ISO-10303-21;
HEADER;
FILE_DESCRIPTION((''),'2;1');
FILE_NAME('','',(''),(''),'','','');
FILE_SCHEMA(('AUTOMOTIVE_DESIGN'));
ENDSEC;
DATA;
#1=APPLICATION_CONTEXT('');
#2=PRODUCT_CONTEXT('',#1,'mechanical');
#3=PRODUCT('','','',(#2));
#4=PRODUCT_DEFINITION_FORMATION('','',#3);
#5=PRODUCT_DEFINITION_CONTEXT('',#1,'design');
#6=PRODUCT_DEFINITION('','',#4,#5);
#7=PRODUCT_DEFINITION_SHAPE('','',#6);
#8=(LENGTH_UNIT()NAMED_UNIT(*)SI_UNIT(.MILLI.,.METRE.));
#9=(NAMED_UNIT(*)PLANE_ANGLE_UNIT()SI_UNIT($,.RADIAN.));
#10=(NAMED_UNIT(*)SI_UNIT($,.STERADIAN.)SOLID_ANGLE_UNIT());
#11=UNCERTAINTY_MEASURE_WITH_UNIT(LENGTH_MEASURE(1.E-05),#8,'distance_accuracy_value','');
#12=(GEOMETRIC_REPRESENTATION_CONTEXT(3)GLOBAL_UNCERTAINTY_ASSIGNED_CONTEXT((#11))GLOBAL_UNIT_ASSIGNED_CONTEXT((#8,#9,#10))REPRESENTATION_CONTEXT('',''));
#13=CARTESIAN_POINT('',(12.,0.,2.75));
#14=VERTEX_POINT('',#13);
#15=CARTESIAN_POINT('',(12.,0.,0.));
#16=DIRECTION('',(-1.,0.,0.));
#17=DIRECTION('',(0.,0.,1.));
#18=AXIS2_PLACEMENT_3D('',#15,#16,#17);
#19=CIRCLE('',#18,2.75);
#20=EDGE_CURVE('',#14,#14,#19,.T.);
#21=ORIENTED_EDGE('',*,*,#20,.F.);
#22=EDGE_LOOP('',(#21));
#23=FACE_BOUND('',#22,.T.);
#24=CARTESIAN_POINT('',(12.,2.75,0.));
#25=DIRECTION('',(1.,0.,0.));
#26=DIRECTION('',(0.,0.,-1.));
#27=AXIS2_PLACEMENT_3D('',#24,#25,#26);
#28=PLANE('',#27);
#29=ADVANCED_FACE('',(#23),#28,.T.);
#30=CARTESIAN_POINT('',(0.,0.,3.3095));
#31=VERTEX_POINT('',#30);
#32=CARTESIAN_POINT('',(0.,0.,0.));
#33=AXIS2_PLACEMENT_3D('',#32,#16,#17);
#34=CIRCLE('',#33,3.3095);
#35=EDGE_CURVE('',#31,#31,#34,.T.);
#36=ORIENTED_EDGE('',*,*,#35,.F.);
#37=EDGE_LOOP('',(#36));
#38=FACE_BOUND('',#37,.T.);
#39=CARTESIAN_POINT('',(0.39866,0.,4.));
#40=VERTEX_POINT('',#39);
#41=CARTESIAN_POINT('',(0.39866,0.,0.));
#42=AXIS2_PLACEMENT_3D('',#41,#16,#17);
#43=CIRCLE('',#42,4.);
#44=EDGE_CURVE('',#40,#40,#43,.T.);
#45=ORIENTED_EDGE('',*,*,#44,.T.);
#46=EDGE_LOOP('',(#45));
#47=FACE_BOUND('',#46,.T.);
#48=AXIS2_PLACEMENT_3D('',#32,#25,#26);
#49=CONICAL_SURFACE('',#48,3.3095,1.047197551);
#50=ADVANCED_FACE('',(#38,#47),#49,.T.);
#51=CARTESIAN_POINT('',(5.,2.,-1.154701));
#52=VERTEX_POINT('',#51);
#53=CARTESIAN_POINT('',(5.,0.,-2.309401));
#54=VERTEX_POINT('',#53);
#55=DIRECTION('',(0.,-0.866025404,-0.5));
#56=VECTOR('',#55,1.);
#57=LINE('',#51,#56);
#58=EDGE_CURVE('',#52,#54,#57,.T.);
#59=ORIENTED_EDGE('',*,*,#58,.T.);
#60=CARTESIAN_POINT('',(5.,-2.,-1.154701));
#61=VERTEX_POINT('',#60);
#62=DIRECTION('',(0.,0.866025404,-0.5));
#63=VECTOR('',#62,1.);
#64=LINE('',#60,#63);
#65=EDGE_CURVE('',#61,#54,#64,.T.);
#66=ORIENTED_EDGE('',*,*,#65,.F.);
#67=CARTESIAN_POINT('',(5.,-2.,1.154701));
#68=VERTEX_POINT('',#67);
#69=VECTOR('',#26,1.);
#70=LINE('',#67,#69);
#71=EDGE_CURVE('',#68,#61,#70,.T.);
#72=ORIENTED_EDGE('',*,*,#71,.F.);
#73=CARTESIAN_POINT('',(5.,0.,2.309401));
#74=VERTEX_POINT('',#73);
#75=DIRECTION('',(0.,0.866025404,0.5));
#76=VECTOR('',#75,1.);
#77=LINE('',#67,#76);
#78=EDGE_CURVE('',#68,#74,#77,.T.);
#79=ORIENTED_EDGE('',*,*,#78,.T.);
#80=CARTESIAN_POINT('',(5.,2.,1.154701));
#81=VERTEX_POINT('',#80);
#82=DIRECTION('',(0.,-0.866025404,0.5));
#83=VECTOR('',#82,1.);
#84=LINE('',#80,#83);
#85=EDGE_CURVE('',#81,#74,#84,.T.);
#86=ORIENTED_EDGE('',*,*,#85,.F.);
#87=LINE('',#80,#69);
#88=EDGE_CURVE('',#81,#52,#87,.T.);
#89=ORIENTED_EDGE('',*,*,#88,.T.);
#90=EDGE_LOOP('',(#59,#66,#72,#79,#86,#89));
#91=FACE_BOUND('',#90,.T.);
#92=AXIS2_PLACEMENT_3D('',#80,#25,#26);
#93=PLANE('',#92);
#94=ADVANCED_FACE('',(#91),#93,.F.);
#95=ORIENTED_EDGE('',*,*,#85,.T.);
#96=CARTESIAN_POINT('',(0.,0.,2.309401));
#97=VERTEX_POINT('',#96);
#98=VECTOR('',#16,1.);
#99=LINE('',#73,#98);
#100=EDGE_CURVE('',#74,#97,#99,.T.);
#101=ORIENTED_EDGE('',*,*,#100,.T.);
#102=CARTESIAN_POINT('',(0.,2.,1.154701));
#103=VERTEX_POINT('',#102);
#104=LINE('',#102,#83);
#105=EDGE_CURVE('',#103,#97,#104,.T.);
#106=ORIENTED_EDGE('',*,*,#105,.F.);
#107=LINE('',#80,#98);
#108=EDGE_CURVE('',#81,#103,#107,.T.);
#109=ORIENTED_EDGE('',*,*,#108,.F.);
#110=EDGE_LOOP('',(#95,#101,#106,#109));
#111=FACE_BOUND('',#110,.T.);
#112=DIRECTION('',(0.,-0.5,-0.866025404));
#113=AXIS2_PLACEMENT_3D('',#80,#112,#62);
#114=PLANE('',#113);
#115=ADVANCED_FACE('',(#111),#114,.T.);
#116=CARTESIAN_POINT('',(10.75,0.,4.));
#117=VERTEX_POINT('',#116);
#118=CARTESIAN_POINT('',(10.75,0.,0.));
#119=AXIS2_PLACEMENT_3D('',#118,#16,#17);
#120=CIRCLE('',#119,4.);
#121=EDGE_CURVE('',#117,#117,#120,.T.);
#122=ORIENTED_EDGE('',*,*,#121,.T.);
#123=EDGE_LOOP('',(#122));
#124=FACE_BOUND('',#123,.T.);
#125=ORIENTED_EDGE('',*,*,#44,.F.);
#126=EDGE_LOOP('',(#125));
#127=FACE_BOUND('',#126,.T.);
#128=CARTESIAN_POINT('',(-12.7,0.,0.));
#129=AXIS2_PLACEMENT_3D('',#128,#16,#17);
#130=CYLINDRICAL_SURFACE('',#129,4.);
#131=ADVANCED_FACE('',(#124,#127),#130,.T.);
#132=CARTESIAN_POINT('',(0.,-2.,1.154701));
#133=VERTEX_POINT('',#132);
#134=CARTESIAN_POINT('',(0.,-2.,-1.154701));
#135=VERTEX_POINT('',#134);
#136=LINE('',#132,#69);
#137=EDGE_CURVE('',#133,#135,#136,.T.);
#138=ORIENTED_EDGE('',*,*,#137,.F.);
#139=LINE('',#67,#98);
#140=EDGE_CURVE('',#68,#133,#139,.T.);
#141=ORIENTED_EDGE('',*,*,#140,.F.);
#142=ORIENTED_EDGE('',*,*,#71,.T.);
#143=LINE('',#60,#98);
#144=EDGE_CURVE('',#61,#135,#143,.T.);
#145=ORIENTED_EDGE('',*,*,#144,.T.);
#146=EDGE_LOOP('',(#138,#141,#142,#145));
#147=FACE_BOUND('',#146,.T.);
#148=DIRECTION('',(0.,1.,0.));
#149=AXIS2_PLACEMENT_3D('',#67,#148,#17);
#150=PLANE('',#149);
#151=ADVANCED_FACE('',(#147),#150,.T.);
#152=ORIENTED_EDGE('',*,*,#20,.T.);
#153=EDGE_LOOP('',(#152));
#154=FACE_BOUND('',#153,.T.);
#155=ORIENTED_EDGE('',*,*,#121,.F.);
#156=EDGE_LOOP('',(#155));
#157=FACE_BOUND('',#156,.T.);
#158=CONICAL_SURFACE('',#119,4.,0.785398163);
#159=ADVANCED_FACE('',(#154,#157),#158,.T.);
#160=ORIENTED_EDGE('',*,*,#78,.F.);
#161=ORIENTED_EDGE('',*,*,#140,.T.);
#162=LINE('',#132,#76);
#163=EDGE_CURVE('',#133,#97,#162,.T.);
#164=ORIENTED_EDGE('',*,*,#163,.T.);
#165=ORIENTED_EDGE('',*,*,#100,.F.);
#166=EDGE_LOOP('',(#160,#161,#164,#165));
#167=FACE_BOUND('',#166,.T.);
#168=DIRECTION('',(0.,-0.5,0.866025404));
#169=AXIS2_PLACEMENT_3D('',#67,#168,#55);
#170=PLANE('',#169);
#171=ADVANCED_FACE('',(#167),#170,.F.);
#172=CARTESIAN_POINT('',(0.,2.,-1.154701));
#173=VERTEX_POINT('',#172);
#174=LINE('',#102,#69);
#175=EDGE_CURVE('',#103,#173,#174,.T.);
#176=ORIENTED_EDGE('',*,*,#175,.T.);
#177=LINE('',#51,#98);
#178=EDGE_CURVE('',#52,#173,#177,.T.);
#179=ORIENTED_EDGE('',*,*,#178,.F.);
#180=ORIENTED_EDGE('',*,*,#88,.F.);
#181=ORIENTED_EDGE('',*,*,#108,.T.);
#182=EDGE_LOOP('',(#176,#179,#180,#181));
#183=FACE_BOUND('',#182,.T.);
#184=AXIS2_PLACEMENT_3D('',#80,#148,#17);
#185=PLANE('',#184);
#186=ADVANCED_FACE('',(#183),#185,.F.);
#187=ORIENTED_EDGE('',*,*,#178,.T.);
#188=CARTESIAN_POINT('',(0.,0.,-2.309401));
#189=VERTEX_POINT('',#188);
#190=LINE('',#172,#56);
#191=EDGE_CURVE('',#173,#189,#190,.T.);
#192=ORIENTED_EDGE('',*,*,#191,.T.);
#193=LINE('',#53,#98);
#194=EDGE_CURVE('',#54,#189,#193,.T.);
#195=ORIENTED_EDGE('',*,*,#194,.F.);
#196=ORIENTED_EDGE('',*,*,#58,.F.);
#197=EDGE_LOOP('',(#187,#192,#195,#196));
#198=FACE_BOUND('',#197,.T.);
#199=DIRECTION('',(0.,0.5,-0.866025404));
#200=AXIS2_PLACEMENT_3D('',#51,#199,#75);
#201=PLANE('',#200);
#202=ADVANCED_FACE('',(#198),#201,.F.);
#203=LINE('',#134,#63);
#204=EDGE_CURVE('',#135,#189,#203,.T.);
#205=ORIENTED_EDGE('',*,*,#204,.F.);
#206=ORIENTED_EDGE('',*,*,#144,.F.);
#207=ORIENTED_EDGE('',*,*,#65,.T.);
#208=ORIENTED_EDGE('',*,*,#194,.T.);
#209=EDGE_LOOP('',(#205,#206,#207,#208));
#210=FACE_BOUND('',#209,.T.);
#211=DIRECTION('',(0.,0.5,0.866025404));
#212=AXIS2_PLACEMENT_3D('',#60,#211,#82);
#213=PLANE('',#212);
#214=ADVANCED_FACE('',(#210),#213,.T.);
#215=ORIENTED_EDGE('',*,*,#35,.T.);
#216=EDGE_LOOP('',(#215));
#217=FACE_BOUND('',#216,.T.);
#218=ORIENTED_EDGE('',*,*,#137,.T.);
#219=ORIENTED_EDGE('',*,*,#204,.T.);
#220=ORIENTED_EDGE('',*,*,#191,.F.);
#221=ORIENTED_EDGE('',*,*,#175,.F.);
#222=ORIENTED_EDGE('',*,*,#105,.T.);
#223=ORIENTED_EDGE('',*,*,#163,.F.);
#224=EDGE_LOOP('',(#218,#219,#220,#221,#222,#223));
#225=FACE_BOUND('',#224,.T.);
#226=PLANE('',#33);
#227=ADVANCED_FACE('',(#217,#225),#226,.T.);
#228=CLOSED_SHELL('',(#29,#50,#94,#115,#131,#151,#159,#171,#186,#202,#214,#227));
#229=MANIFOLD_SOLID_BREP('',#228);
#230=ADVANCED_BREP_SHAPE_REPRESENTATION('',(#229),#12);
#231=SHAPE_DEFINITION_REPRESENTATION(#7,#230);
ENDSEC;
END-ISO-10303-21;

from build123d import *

# Parameters (mm, degrees)
HEX_2_DEPTH = 5


with BuildPart() as part:
    # BodySke → BaseBody (revolve)
    with BuildSketch(Plane.XY, mode=Mode.PRIVATE) as basebody_sk:
        Polygon((0, 0), (0, 3.3095), (0.398660361, 4), (10.75, 4), (12, 2.75), (12, 0), align=None)
    revolve(basebody_sk.sketch.rotate(Axis((-12.7, 0, 0), (1, 0, 0)), 90), axis=Axis((-12.7, 0, 0), (1, 0, 0)))

    # Sketch2 → Hex 2 (cut)
    with BuildSketch(Plane.ZY):
        Polygon((1.154700538, 2), (-1.154700538, 2), (-2.309401077, 0), (-1.154700538, -2), (1.154700538, -2), (2.309401077, 0), align=None)
    extrude(amount=-HEX_2_DEPTH, mode=Mode.SUBTRACT)


solid = part.part
